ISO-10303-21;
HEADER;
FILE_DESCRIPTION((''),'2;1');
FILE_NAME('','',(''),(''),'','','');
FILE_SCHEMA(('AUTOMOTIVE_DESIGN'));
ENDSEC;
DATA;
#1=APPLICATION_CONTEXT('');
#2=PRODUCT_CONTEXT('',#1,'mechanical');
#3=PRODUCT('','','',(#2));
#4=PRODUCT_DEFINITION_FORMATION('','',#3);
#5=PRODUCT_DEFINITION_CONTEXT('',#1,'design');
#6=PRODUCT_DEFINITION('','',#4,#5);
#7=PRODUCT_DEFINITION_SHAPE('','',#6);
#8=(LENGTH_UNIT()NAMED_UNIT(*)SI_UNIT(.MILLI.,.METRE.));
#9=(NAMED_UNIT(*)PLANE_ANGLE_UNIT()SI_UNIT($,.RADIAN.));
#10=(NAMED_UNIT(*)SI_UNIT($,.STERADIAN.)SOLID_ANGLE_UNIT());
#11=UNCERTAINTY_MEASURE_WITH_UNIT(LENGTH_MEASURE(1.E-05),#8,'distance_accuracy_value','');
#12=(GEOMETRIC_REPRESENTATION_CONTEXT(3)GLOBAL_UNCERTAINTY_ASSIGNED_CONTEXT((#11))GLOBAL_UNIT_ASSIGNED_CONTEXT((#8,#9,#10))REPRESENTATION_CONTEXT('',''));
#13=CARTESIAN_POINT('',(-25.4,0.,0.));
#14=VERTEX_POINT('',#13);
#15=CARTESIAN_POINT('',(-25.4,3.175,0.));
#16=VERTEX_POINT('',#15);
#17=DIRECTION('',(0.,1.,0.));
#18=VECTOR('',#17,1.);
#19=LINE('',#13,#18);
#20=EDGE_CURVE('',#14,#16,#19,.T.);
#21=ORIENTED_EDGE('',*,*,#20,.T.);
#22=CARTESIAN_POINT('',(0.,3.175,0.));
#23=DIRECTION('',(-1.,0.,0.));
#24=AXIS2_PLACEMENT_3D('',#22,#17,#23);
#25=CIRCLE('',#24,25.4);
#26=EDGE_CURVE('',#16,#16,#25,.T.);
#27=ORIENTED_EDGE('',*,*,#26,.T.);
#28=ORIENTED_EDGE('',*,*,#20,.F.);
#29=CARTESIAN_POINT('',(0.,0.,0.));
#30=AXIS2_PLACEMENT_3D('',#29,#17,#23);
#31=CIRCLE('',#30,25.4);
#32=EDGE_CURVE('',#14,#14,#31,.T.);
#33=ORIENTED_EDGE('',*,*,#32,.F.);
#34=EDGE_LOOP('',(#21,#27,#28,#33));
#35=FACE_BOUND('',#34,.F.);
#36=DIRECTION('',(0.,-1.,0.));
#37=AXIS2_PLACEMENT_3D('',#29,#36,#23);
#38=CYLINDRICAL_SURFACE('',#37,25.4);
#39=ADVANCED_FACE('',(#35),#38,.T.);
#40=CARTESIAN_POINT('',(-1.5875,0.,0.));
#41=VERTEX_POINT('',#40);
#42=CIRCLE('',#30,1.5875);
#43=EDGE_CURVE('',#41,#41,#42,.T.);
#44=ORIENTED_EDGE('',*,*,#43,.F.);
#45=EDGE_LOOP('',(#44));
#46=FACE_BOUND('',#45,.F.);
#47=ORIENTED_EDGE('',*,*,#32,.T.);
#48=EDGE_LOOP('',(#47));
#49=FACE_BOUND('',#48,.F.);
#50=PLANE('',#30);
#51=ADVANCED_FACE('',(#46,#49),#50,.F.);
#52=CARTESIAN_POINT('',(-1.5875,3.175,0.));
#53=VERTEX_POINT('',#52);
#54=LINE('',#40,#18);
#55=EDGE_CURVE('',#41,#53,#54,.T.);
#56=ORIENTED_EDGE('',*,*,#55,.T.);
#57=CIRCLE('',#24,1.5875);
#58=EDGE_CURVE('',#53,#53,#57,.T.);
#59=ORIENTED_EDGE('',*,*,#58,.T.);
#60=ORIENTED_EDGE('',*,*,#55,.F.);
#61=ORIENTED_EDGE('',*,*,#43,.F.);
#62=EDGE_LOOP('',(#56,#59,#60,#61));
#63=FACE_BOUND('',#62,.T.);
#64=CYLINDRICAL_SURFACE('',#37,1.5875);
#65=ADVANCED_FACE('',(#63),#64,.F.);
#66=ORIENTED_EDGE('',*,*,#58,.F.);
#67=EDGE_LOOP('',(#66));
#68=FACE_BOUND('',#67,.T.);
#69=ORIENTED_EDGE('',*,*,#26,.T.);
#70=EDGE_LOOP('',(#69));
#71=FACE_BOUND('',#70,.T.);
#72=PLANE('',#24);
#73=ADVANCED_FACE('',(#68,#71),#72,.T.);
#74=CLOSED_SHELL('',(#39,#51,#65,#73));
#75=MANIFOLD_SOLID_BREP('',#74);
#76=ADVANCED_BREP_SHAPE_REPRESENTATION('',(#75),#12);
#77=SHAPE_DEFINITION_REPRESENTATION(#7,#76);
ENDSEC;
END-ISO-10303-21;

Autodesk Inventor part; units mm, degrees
ref_plane "YZ Plane" through (0, 0, 0) normal (1, 0, 0) x (0, 1, 0)
ref_plane "XZ Plane" through (0, 0, 0) normal (0, 1, 0) x (-1, 0, 0)
ref_plane "XY Plane" through (0, 0, 0) normal (0, 0, 1) x (1, 0, 0)
sketch "Sketch1" plane through (0, 0, 0) normal (0, 1, 0) x (-1, 0, 0)
  circle A0 centre (0, 0) radius 1.5875
  circle A1 centre (0, 0) radius 25.4
  dimension "d0" = 50.8
  dimension "d1" = 3.175
extrude "Extrusion1" add sketch "Sketch1" along normal blind 3.175
properties part number "Fender" material "Acetal Resin, Black"
